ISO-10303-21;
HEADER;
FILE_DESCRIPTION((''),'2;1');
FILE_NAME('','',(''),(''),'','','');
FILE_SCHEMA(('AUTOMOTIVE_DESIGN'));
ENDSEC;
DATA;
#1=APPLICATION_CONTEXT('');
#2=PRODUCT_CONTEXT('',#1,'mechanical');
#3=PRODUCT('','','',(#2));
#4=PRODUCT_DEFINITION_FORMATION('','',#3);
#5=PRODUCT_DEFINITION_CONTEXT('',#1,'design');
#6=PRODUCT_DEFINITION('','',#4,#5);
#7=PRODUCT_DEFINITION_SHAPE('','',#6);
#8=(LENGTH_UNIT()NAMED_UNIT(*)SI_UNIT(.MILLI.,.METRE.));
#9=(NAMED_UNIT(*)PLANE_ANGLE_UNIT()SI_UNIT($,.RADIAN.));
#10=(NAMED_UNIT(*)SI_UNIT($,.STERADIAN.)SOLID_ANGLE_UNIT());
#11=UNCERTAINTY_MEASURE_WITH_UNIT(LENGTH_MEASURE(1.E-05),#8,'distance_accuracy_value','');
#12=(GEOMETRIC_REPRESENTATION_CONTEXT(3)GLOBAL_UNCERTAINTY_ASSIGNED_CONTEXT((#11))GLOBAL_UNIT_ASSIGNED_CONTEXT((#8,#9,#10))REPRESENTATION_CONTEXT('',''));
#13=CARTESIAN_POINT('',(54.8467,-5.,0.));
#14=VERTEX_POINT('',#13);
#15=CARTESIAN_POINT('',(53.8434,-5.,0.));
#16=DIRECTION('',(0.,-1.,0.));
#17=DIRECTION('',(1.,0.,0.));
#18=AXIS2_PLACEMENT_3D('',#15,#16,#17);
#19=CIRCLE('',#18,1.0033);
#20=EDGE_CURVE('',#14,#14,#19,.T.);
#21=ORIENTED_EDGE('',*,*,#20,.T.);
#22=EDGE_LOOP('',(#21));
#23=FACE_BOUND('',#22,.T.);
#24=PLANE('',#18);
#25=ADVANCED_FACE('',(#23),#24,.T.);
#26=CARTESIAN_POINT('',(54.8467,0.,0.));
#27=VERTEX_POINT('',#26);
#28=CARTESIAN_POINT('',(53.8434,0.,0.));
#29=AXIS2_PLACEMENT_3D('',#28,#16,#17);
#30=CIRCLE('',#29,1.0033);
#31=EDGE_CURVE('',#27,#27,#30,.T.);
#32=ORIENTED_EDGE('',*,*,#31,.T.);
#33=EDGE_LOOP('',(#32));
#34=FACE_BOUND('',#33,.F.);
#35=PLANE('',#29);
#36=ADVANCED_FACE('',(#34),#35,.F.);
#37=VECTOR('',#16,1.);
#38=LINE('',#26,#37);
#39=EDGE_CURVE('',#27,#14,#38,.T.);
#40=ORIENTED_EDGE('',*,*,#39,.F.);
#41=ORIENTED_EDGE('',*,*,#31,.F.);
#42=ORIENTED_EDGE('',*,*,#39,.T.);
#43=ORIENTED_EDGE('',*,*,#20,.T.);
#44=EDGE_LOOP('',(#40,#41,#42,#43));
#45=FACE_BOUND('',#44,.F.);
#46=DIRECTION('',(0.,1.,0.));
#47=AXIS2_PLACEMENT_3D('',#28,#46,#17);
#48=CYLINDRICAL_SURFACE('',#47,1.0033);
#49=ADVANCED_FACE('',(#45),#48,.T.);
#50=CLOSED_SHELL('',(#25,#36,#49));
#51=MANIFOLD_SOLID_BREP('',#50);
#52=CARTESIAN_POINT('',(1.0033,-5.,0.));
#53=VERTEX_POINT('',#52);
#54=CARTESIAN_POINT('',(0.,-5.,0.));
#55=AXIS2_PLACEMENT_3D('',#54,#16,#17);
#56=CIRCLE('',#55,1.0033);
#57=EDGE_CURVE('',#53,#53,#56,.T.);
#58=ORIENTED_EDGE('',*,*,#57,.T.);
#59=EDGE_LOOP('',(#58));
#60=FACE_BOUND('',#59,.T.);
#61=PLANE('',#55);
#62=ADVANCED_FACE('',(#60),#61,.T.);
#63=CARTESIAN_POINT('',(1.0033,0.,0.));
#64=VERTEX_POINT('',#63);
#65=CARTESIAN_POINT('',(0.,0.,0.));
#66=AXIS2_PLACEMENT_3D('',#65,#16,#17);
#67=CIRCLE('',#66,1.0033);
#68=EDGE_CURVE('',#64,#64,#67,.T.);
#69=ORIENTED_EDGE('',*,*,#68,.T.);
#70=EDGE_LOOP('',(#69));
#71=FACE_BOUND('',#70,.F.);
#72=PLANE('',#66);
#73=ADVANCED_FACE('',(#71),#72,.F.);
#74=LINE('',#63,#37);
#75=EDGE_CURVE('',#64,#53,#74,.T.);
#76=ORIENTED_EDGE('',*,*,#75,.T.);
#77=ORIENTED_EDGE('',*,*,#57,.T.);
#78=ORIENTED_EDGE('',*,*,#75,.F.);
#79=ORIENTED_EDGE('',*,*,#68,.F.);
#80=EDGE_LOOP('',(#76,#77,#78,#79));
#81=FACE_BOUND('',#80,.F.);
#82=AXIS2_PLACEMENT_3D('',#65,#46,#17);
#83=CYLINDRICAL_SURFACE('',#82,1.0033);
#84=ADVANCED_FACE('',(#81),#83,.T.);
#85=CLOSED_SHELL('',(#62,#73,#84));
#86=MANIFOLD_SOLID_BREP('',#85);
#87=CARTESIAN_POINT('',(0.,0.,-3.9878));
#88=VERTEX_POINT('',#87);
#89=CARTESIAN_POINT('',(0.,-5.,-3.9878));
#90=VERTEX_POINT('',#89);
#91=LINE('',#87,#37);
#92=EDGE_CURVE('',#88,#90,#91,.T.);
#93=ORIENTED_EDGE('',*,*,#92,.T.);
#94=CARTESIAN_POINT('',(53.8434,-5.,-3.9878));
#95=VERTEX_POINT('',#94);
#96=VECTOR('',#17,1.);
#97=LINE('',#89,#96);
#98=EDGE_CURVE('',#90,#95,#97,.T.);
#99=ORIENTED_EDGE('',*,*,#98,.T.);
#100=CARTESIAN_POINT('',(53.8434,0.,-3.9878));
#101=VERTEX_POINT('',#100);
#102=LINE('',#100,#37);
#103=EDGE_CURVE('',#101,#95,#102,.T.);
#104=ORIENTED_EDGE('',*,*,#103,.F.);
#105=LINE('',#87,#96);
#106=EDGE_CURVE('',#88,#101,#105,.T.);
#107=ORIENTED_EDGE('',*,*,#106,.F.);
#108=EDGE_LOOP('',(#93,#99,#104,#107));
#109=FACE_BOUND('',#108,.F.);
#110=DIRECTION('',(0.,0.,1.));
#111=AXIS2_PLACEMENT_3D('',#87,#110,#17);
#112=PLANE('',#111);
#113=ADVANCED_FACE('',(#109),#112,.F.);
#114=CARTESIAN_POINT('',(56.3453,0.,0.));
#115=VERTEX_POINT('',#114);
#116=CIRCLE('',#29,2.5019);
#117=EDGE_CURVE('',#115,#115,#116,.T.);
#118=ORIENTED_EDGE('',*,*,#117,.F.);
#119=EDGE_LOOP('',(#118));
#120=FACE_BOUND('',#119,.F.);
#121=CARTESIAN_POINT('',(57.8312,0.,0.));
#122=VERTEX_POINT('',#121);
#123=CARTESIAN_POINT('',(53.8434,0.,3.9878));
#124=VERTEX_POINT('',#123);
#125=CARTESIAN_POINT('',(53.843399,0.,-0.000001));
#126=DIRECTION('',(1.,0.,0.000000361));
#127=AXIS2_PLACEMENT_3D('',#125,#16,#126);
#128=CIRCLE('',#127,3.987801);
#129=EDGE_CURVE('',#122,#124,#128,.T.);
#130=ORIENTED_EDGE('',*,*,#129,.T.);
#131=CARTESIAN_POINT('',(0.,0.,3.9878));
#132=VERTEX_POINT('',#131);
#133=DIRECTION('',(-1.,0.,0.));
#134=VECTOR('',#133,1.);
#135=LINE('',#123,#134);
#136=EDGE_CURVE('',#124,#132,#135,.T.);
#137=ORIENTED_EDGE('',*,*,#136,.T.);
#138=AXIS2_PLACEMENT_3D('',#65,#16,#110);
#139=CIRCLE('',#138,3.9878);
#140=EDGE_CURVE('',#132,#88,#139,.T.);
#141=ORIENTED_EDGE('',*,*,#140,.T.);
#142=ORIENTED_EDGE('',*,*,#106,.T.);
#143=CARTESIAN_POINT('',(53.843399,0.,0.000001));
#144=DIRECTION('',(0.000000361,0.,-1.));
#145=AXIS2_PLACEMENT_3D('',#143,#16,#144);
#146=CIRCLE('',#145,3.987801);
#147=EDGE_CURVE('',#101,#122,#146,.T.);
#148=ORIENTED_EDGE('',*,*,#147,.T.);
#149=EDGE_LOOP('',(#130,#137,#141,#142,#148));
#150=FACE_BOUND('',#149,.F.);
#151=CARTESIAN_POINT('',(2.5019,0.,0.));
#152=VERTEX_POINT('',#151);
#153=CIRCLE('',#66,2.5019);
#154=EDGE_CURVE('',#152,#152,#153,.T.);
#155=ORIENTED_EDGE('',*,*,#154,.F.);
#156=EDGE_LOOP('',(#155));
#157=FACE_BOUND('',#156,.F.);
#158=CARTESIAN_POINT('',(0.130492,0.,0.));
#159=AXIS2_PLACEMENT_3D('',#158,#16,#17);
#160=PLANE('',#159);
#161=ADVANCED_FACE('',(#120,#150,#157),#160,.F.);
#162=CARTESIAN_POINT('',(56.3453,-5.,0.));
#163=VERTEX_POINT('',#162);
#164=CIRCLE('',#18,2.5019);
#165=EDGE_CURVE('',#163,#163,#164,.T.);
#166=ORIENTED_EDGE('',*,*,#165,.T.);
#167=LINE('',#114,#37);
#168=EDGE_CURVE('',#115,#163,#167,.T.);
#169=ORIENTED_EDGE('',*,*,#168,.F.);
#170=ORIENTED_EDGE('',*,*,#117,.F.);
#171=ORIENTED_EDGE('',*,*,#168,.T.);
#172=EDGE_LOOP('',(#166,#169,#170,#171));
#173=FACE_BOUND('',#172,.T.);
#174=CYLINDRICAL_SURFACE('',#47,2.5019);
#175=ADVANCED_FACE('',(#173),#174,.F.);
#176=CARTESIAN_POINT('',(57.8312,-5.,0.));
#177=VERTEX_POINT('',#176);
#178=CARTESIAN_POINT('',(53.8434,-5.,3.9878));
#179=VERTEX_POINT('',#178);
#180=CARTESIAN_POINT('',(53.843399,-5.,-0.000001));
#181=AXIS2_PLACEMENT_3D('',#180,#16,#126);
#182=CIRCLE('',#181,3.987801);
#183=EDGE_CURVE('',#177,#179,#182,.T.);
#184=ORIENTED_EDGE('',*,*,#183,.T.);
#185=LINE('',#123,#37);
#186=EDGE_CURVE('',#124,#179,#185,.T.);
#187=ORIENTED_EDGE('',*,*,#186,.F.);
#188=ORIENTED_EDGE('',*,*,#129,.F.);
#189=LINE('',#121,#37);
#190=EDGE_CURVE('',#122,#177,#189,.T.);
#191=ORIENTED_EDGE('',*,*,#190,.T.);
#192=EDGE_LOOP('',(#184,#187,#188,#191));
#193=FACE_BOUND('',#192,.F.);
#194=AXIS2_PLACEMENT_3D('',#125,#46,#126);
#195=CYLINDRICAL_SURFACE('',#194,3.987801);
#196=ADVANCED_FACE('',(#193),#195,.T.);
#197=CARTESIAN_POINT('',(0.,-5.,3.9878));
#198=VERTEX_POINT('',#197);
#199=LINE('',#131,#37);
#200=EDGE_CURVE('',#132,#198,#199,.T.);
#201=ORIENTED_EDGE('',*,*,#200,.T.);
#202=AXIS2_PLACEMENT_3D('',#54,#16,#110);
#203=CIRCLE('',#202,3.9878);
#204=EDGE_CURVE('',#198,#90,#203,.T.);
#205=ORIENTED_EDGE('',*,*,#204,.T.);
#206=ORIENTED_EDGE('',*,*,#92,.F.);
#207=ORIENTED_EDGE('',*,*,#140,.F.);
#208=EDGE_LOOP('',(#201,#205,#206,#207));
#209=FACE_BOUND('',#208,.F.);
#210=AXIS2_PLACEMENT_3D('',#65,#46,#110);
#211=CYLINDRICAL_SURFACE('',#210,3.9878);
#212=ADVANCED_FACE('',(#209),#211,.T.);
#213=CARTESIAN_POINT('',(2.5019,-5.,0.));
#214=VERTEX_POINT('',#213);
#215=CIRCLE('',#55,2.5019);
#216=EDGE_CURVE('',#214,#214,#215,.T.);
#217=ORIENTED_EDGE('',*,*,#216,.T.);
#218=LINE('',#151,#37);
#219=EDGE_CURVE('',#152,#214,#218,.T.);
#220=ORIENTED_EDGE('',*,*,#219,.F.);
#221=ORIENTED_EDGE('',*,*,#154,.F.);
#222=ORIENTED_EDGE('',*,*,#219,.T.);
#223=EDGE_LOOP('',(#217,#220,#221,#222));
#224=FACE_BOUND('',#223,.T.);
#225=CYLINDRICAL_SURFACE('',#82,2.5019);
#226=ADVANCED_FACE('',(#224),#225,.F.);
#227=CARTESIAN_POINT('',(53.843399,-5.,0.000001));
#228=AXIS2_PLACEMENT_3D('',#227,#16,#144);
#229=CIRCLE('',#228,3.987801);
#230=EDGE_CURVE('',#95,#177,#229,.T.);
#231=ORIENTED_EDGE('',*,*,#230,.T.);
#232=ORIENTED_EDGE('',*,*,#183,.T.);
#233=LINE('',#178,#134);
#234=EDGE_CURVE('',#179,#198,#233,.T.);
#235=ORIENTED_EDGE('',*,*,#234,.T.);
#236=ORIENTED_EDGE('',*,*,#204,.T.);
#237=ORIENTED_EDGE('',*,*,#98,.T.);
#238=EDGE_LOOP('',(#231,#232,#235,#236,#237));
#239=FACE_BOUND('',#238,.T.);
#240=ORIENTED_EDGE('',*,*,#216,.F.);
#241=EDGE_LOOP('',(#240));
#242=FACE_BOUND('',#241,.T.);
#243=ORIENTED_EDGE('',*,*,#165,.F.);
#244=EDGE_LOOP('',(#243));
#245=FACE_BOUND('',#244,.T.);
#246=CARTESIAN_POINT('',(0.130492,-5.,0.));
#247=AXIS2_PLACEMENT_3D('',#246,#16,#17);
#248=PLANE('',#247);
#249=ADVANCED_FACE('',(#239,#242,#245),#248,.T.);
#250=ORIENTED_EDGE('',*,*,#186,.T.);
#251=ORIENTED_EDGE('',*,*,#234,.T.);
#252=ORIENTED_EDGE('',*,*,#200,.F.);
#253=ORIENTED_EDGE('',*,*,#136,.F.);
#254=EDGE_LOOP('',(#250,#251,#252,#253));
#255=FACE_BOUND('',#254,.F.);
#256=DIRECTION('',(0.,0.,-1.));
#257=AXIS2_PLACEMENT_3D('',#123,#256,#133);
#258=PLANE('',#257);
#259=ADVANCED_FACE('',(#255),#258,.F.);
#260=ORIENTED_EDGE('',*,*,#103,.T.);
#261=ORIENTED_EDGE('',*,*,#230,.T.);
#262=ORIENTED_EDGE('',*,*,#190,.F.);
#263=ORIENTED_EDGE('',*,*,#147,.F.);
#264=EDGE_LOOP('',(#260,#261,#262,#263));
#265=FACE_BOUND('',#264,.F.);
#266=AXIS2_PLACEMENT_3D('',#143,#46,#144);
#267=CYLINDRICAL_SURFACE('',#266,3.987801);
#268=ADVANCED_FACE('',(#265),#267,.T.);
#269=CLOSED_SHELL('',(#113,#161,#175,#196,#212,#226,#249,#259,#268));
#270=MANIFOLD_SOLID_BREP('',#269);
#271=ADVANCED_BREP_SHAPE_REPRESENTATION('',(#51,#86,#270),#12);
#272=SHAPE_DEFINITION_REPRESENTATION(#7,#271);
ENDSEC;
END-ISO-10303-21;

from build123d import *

# Parameters (mm, degrees)
F0_R     = 2.5019
F0_R_2   = 1.0033
F1_DEPTH = 5


with BuildPart() as f1:
    # F0 (on Front) → F1 (new body)
    with BuildSketch(Plane.XZ):
        with BuildLine():
            ThreePointArc((0, -3.9878), (2.8198, -2.8198), (3.9878, 0))
            ThreePointArc((3.9878, 0), (2.8198, 2.8198), (0, 3.9878))
            ThreePointArc((0, 3.9878), (-3.9878, 0), (0, -3.9878))
        make_face()
        Circle(F0_R, mode=Mode.SUBTRACT)
        with BuildLine():
            ThreePointArc((0, 3.9878), (2.8198, 2.8198), (3.9878, 0))
            ThreePointArc((3.9878, 0), (2.8198, -2.8198), (0, -3.9878))
            Line((0, -3.9878), (53.8434, -3.9878))
            ThreePointArc((53.8434, -3.9878), (49.8556, 0), (53.8434, 3.9878))
            Line((53.8434, 3.9878), (0, 3.9878))
        make_face()
        with BuildLine():
            ThreePointArc((57.8312, 0), (56.6632, 2.8198), (53.8434, 3.9878))
            ThreePointArc((53.8434, 3.9878), (49.8556, 0), (53.8434, -3.9878))
            ThreePointArc((53.8434, -3.9878), (56.6632, -2.8198), (57.8312, 0))
        make_face()
        with Locations((53.8434, 0)):
            Circle(F0_R, mode=Mode.SUBTRACT)
        Circle(F0_R_2)
        with Locations((53.8434, 0)):
            Circle(F0_R_2)
    extrude(amount=F1_DEPTH)


solid = f1.part
